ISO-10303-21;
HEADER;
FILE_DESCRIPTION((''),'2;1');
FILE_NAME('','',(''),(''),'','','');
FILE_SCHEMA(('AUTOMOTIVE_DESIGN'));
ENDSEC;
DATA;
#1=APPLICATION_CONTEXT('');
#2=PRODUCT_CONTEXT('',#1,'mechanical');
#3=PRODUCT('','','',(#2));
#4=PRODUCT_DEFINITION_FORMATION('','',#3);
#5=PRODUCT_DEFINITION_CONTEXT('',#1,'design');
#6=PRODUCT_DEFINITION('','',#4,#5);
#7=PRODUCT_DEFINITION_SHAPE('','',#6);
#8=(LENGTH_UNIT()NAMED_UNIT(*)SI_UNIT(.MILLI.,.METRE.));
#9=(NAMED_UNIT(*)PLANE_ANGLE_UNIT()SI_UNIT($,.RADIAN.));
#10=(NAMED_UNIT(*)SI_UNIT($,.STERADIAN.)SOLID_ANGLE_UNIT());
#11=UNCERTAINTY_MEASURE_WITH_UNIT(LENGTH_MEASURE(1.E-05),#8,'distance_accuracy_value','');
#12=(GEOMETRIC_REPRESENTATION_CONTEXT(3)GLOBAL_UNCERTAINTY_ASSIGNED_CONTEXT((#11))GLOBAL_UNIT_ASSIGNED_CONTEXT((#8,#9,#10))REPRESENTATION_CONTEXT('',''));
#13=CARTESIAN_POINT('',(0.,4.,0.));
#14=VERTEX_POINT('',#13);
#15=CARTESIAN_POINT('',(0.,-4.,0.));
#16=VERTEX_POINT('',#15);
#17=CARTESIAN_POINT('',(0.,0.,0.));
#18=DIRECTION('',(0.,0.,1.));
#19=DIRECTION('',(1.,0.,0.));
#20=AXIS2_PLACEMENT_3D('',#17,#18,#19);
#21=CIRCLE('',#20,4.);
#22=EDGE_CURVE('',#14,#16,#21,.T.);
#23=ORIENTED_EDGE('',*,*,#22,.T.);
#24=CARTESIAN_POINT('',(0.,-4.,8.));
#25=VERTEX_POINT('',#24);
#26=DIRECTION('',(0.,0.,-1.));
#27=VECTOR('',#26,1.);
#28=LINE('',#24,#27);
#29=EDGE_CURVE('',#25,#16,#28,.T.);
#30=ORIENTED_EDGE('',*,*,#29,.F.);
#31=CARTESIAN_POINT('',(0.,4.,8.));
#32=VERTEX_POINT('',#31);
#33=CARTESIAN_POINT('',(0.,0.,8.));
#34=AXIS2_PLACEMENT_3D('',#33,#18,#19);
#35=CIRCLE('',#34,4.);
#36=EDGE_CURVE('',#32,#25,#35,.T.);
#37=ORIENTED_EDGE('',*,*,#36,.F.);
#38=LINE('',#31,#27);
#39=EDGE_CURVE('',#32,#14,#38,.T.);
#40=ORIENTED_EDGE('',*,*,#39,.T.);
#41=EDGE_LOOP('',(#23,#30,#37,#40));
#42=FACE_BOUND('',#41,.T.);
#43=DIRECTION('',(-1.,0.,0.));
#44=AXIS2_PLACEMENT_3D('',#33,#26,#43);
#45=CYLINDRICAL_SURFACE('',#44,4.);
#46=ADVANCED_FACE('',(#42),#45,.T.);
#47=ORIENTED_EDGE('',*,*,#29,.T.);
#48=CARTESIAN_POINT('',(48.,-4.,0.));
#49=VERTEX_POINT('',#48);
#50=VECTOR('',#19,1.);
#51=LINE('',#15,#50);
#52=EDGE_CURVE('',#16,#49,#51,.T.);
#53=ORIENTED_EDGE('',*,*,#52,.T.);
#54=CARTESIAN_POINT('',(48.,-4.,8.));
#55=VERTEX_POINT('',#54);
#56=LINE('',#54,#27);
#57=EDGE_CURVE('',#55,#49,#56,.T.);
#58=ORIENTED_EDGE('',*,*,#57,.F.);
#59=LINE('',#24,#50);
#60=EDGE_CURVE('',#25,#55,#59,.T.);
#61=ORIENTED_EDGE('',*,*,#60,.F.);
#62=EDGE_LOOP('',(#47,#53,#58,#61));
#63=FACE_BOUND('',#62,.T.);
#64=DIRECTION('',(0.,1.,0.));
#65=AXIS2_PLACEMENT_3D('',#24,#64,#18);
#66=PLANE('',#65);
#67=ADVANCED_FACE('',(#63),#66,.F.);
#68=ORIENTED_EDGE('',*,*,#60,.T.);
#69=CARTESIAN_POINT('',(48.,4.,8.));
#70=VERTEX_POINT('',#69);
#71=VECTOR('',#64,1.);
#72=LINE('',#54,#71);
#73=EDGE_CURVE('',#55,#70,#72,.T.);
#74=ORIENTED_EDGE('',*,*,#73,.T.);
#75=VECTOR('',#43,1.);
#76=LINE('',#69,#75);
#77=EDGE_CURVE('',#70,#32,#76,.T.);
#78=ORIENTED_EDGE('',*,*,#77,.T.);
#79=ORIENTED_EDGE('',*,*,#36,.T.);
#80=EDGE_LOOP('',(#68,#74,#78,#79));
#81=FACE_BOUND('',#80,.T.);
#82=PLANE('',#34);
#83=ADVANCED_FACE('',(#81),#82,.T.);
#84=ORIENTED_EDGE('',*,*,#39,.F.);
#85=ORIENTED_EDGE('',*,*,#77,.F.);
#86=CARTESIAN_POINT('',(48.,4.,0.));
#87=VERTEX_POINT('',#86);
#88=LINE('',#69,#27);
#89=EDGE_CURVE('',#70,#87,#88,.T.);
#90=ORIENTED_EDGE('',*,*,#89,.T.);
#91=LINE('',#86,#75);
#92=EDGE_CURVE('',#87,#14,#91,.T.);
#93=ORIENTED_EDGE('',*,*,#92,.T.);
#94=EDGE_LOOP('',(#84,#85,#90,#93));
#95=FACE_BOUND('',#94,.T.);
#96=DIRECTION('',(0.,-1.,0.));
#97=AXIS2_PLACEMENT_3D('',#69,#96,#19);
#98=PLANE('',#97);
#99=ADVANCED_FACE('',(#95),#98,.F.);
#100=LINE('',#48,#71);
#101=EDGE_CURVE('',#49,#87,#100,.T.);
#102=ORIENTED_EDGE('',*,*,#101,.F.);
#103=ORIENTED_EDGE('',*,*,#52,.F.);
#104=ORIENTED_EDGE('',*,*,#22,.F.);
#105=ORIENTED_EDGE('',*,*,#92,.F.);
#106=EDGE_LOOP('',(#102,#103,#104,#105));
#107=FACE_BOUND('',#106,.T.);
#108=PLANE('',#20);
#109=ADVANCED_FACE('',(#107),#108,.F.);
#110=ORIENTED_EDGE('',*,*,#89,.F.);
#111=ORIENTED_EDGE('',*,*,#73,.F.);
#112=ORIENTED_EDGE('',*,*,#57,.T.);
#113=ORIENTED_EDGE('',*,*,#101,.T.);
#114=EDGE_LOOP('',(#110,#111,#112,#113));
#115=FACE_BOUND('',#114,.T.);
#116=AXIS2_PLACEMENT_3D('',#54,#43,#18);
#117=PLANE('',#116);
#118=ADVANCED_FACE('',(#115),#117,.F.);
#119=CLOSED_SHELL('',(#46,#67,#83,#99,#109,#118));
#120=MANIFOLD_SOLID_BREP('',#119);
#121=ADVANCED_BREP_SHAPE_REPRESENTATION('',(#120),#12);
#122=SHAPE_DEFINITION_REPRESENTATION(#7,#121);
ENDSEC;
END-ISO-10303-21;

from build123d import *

# Parameters (mm, degrees)
BOSS_EXTRUDE1_DEPTH = 8


with BuildPart() as part:
    # Sketch1 → Boss-Extrude1 (new body)
    with BuildSketch(Plane.XY):
        with BuildLine():
            Line((48, -4), (48, 4))
            Line((48, 4), (0, 4))
            ThreePointArc((0, 4), (-4, 0), (0, -4))
            Line((0, -4), (48, -4))
        make_face()
    extrude(amount=BOSS_EXTRUDE1_DEPTH)


solid = part.part
